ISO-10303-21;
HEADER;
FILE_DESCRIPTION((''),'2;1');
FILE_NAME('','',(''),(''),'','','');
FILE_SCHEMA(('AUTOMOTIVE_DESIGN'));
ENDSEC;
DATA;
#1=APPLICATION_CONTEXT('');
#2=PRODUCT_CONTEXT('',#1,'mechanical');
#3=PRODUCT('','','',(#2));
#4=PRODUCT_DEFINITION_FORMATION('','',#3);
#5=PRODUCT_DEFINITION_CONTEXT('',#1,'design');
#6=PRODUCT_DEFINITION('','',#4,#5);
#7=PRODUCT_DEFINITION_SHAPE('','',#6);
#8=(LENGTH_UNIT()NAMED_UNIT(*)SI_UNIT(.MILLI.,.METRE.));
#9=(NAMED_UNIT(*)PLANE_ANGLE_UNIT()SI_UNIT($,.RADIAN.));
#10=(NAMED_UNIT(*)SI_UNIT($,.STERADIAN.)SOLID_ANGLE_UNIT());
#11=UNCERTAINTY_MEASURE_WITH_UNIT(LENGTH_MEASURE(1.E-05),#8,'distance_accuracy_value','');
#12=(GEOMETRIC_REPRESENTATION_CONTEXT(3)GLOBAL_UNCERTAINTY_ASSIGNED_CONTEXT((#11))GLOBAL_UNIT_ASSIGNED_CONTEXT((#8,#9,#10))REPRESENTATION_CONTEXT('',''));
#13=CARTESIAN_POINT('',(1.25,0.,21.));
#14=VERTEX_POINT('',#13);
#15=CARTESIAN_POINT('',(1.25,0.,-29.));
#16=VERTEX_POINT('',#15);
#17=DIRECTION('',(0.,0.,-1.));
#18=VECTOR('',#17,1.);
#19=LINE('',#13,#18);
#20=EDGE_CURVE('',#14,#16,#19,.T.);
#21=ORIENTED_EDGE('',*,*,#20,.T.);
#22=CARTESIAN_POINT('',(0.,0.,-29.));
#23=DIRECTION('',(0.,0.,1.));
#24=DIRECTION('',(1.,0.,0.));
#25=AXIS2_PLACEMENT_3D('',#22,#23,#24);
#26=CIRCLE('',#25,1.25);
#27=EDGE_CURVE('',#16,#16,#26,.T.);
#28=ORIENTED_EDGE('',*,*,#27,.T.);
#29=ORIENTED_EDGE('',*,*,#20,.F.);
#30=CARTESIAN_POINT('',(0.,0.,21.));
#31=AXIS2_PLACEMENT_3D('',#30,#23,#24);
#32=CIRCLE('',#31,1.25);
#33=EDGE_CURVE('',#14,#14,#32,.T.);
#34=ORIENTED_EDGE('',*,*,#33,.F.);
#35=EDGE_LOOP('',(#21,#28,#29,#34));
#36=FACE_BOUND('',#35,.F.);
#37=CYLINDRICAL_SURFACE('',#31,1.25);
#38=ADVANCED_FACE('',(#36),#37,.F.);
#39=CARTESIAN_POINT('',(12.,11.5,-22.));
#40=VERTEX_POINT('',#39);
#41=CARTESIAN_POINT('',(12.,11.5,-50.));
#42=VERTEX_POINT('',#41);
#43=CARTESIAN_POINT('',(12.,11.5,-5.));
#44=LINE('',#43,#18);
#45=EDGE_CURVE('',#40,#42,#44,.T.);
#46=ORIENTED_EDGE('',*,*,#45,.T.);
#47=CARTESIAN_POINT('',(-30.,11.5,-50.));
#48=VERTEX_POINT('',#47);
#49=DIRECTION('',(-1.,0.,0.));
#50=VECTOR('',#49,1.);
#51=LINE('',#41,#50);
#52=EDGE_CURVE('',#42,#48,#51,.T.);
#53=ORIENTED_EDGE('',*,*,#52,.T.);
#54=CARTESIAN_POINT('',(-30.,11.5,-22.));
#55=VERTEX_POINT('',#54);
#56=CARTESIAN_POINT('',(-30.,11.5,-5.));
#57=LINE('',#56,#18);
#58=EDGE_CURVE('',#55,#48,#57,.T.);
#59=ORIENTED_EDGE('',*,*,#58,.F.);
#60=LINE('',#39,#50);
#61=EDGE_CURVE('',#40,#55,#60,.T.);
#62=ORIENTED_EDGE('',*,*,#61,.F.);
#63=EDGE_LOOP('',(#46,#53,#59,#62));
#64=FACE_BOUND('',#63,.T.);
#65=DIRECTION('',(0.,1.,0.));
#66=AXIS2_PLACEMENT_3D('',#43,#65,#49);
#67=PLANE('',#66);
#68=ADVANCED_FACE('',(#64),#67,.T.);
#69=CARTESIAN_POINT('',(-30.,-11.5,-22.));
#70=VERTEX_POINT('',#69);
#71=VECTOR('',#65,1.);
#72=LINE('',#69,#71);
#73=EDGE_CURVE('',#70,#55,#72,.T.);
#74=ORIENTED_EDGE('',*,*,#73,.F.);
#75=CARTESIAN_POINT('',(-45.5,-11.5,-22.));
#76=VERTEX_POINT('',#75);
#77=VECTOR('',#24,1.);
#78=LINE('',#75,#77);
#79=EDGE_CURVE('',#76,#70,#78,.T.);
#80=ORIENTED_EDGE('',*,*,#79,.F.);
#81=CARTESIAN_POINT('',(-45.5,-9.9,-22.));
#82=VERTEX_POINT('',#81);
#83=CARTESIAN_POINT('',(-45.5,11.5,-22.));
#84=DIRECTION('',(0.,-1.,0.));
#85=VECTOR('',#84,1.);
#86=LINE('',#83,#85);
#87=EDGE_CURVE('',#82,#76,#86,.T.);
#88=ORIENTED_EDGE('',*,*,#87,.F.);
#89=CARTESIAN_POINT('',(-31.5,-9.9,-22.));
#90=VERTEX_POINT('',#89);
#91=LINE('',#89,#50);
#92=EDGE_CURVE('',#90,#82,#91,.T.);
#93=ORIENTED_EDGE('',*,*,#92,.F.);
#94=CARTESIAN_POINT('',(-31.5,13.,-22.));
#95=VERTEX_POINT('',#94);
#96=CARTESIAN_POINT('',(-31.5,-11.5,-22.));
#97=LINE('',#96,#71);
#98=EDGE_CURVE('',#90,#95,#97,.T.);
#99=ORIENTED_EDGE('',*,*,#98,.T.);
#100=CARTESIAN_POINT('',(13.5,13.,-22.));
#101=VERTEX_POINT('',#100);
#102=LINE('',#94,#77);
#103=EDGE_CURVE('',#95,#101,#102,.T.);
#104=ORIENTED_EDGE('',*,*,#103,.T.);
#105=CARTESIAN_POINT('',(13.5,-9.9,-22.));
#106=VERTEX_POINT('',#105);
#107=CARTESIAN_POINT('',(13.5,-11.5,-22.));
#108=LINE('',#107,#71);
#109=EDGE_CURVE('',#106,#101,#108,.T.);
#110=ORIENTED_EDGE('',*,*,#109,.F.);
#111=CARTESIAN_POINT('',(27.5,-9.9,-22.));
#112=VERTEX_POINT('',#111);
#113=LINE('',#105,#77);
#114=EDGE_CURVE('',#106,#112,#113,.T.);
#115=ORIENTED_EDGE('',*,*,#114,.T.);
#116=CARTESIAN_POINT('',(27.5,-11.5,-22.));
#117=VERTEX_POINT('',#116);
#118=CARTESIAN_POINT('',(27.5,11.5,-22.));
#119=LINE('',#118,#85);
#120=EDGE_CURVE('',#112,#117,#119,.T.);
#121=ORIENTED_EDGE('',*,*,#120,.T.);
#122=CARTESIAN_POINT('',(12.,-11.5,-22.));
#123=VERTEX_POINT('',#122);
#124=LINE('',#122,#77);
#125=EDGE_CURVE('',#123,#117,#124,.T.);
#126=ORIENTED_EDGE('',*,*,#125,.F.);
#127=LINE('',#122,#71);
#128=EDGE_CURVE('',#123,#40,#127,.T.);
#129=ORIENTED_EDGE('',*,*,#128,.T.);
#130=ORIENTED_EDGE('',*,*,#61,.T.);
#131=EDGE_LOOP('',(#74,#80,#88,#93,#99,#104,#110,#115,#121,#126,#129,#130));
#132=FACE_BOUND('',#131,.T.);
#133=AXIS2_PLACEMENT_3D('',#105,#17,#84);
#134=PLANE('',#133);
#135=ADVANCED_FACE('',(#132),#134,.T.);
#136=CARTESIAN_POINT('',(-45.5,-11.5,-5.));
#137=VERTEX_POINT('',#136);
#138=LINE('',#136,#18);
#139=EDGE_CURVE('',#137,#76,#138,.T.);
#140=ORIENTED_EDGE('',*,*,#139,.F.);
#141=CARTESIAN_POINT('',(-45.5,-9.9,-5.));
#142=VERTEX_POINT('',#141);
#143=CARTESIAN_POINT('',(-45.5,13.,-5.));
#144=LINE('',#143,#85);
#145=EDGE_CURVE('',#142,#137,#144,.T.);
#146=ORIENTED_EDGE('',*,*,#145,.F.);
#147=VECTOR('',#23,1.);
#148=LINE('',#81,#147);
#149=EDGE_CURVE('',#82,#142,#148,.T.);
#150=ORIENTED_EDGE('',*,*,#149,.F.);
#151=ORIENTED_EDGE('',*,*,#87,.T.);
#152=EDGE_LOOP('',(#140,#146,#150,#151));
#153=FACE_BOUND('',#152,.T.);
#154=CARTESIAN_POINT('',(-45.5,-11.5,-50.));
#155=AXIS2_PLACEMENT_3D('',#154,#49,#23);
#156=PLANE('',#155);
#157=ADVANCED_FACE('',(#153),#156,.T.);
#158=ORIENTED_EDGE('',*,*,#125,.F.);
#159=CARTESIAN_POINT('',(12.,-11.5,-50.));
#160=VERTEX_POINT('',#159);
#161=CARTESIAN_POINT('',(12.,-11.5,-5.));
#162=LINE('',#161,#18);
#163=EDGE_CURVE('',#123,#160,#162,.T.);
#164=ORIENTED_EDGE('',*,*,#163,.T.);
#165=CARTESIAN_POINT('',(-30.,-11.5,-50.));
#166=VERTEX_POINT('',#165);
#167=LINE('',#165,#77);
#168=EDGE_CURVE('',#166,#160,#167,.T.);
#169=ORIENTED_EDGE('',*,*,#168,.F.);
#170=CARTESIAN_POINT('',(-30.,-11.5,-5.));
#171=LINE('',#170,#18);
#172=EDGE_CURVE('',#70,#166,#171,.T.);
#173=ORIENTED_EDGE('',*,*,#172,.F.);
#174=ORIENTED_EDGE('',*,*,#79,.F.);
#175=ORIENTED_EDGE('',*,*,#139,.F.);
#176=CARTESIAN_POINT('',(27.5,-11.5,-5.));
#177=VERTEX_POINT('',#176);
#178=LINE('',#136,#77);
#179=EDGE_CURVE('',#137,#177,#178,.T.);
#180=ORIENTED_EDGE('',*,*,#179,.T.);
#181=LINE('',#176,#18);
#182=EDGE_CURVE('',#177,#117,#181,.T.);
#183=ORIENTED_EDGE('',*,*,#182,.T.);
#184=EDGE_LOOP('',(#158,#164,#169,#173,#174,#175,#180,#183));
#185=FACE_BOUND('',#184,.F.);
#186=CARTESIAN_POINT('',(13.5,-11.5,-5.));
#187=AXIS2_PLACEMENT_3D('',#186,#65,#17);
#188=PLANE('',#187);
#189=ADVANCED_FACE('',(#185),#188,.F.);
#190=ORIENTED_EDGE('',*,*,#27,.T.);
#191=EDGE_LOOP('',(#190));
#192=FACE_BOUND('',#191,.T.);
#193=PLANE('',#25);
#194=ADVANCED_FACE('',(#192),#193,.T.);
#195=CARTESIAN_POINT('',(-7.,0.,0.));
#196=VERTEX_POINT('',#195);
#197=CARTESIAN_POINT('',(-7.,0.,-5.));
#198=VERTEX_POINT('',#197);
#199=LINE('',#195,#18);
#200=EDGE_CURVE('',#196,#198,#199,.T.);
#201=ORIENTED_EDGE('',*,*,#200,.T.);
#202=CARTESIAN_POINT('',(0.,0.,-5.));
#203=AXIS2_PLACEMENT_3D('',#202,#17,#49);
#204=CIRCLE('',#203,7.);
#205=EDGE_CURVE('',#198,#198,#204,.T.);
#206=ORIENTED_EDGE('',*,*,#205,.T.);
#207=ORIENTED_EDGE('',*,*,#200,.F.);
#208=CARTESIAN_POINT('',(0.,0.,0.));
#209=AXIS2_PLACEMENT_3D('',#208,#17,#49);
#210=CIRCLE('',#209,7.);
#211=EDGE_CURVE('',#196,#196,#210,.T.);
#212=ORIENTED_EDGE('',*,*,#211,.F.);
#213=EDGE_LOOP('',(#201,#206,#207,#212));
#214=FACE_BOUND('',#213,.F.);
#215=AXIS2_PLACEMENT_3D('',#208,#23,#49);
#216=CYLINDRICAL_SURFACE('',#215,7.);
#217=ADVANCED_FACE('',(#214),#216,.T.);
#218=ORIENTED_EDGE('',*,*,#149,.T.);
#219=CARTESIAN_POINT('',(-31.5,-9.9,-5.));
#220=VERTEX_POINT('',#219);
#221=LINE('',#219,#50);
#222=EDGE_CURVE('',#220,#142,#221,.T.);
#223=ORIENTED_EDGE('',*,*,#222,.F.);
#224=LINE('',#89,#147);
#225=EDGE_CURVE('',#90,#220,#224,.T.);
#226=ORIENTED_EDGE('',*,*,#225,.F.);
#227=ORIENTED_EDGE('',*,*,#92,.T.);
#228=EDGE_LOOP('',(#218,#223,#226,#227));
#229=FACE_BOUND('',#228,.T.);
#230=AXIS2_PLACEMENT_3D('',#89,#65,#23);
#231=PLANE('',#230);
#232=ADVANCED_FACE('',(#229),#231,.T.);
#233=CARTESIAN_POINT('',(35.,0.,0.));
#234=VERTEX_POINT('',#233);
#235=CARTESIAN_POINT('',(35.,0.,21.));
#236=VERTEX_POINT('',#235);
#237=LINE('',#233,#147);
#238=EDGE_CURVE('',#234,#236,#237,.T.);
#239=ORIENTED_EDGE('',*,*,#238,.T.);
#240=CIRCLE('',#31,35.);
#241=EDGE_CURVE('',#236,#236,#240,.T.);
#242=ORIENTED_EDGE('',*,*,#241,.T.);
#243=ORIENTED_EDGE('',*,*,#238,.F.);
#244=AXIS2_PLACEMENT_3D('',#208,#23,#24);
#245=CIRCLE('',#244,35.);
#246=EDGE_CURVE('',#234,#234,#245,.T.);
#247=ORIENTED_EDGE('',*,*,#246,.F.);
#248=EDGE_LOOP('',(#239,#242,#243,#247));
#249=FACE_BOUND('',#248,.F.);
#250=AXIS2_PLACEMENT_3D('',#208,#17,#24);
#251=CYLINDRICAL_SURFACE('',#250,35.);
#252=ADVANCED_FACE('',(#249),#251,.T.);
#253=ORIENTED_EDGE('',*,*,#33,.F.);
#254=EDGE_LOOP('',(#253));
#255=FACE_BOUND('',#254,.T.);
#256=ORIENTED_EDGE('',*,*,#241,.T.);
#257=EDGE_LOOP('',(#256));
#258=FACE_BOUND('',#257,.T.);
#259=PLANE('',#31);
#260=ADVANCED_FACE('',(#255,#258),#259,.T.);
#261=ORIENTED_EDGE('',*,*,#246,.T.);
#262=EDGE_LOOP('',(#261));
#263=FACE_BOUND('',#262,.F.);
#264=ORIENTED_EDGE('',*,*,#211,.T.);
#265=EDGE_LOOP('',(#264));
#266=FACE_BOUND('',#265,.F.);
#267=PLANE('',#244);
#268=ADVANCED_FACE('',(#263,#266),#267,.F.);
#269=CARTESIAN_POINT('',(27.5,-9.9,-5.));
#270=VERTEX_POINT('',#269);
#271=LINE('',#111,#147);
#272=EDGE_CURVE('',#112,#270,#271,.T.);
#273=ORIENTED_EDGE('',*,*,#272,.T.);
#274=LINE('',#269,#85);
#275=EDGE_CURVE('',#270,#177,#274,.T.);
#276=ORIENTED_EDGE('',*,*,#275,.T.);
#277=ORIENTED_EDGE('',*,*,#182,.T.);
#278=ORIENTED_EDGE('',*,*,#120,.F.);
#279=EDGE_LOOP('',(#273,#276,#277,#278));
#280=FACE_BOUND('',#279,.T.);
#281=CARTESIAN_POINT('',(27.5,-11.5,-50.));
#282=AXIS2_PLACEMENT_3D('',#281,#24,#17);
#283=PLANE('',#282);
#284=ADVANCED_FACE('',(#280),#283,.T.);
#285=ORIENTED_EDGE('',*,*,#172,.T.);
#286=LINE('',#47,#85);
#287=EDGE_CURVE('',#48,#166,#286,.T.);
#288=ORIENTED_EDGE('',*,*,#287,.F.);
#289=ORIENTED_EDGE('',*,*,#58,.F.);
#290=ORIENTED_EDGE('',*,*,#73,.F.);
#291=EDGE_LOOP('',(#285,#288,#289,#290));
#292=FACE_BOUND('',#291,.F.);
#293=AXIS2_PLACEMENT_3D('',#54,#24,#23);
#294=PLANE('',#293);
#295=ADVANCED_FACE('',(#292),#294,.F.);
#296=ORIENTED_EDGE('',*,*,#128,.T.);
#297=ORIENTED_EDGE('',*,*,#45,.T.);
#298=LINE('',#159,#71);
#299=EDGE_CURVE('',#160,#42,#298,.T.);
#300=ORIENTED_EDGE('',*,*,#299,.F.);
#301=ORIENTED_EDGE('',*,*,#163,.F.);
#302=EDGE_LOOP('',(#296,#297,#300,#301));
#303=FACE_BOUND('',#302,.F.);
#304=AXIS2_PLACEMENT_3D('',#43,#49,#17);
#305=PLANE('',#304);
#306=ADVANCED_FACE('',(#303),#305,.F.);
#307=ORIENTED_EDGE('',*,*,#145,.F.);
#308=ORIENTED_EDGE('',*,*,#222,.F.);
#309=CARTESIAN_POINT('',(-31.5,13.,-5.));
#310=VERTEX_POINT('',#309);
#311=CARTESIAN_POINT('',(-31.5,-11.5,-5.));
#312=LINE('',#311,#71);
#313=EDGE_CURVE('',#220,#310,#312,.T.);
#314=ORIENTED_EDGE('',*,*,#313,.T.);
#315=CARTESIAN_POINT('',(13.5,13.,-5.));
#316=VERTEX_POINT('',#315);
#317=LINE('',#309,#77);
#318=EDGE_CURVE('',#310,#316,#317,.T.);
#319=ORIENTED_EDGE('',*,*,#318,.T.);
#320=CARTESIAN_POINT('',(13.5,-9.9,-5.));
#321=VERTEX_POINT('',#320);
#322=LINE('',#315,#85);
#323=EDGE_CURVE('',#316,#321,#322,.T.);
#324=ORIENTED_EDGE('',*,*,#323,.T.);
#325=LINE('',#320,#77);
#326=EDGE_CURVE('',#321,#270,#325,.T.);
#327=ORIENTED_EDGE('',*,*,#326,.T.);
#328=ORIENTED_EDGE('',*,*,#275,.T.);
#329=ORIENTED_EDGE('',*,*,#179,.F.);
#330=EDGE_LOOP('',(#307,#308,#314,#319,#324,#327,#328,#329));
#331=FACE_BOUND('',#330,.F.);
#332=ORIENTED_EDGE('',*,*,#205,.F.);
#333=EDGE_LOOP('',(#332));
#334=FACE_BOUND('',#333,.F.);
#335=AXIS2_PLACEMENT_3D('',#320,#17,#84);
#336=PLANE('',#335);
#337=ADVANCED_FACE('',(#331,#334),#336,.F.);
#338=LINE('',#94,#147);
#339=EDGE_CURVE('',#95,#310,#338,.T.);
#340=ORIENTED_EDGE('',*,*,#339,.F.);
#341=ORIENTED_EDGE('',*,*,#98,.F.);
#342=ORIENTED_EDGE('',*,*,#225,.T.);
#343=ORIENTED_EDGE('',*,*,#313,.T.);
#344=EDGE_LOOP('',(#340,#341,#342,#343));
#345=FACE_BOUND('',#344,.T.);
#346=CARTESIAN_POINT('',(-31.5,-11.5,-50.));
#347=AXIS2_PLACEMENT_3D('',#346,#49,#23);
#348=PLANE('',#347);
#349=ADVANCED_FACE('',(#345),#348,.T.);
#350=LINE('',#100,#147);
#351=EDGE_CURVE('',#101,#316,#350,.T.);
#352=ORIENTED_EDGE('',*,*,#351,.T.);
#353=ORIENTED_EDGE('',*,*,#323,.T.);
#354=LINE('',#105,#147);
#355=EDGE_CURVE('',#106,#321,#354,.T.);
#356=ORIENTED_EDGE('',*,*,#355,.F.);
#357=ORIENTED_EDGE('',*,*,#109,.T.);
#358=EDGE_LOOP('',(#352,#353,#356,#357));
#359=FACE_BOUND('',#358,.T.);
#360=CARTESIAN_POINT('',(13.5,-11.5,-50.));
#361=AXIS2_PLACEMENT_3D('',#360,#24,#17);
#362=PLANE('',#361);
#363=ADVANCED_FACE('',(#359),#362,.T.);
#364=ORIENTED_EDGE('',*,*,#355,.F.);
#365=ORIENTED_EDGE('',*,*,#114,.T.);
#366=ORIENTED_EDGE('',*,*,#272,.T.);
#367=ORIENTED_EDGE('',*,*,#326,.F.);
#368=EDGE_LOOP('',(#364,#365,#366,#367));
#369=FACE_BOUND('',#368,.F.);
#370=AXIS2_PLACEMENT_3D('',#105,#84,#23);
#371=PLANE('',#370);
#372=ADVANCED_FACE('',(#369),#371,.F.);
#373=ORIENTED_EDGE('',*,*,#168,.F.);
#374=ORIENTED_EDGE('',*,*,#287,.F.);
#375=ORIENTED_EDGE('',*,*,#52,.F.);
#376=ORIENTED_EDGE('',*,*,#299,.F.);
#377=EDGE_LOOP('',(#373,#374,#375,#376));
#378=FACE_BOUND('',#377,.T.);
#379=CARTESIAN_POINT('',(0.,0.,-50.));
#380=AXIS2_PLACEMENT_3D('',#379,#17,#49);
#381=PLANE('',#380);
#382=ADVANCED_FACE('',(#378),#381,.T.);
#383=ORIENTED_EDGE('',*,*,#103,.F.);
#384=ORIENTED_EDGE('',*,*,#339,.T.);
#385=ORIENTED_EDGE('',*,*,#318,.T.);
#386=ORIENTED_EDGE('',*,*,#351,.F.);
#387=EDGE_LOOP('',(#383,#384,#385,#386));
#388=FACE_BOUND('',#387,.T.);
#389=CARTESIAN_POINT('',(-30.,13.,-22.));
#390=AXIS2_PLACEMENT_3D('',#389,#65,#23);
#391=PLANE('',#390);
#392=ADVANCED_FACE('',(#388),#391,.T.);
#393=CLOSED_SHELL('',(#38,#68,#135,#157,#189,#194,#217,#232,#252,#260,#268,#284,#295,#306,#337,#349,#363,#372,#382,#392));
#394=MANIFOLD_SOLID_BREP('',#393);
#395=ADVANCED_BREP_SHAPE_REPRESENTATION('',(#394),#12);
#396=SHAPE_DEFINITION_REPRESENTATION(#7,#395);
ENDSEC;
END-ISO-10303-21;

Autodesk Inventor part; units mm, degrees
ref_plane "YZ Plane" through (0, 0, 0) normal (1, 0, 0) x (0, 1, 0)
ref_plane "XZ Plane" through (0, 0, 0) normal (0, 1, 0) x (-1, 0, 0)
ref_plane "XY Plane" through (0, 0, 0) normal (0, 0, 1) x (1, 0, 0)
sketch "Sketch1" plane through (0, 0, 0) normal (0, 0, 1) x (1, 0, 0)
  circle A0 centre (0, 0) radius 35
  dimension "d0" = 70
extrude "Extrusion1" add sketch "Sketch1" along normal blind 21
sketch "Sketch2" plane through (0, 0, 0) normal (0, 0, -1) x (-1, 0, 0)
  circle A0 centre (0, 0) radius 7
  dimension "d3" = 14
extrude "Extrusion2" add sketch "Sketch2" along normal blind 5
sketch "Sketch3" plane through (0, 0, -5) normal (0, 0, -1) x (-1, 0, 0)
  line L0 (-12, 11.5) -> (30, 11.5)
  line L1 (30, 11.5) -> (30, -11.5)
  line L2 (30, -11.5) -> (-12, -11.5)
  line L3 (-12, -11.5) -> (-12, 11.5)
  point P0 (0, 0)
  point P1 (30, 0)
  point P2 (-12, 0)
  dimension "d6" = 23
  dimension "d7" = 42
  dimension "d8" = 12
extrude "Extrusion3" add sketch "Sketch3" along normal blind 45
sketch "Sketch4" plane through (-30, 11.5, -5) normal (0, 1, 0) x (1, 0, 0)
  line L0 (42, 0) -> (0, 0) projected
  line L1 (0, 0) -> (42, 0)
  line L2 (42, 0) -> (42, 17)
  line L3 (42, 17) -> (0, 17)
  line L4 (0, 17) -> (0, 0)
  point P0 (30, -5)
  dimension "d11" = 17
  dimension "d12" = 42
extrude "Extrusion4" add sketch "Sketch4" along normal blind 1.5
sketch "Sketch5" plane through (12, -11.5, -50) normal (1, 0, 0) x (0, 0, -1)
  line L0 (-28, 24.5) -> (-45, 24.5) projected
  line L1 (-28, 24.5) -> (-45, 24.5)
  line L2 (-45, 24.5) -> (-45, 0)
  line L3 (-45, 0) -> (-28, 0)
  line L4 (-28, 0) -> (-28, 24.5)
  point P0 (-50, 11.5)
extrude "Extrusion5" add sketch "Sketch5" along normal blind 1.5
sketch "Sketch6" plane through (-30, -11.5, -50) normal (-1, 0, 0) x (0, 0, 1)
  point P0 (50, 11.5)
sketch "Sketch7" plane through (-30, -11.5, -50) normal (-1, 0, 0) x (0, 0, 1)
  line L0 (28, 23) -> (28, 24.5) projected
  line L1 (45, 0) -> (45, 24.5) projected
  line L2 (28, 24.5) -> (45, 24.5)
  line L3 (45, 24.5) -> (45, 0)
  line L4 (45, 0) -> (28, 0)
  line L5 (28, 0) -> (28, 24.5)
  point P0 (50, 11.5)
extrude "Extrusion6" add sketch "Sketch7" along normal blind 1.5
sketch "Sketch8" plane through (-31.5, -11.5, -50) normal (-1, 0, 0) x (0, 0, 1)
  line L0 (45, 24.5) -> (45, 0) projected
  line L1 (28, 23) -> (28, 0) projected
  line L2 (45, 0) -> (28, 0)
  line L3 (28, 0) -> (28, 1.6)
  line L4 (28, 1.6) -> (45, 1.6)
  line L5 (45, 1.6) -> (45, 0)
  point P0 (50, 11.5)
  dimension "d19" = 1.6
extrude "Extrusion7" add sketch "Sketch8" along normal blind 14
sketch "Sketch9" plane through (13.5, -11.5, -50) normal (1, 0, 0) x (0, 0, -1)
  line L0 (-45, 0) -> (-28, 0) projected
  line L1 (-28, 23) -> (-28, 0) projected
  line L2 (-45, 0) -> (-28, 0)
  line L3 (-28, 0) -> (-28, 1.6)
  line L4 (-28, 1.6) -> (-45, 1.6)
  line L5 (-45, 1.6) -> (-45, 0)
  point P0 (-50, 11.5)
  dimension "d22" = 1.6
extrude "Extrusion8" add sketch "Sketch9" along normal blind 14
sketch "Sketch10" plane through (0, 0, 21) normal (0, 0, 1) x (1, 0, 0)
  circle A0 centre (0, 0) radius 7 projected
  circle A1 centre (0, 0) radius 1.25
  dimension "d25" = 2.5
extrude "Extrusion9" cut sketch "Sketch10" against normal blind 50 contours A1
properties part number "Rueda Izquierda"
